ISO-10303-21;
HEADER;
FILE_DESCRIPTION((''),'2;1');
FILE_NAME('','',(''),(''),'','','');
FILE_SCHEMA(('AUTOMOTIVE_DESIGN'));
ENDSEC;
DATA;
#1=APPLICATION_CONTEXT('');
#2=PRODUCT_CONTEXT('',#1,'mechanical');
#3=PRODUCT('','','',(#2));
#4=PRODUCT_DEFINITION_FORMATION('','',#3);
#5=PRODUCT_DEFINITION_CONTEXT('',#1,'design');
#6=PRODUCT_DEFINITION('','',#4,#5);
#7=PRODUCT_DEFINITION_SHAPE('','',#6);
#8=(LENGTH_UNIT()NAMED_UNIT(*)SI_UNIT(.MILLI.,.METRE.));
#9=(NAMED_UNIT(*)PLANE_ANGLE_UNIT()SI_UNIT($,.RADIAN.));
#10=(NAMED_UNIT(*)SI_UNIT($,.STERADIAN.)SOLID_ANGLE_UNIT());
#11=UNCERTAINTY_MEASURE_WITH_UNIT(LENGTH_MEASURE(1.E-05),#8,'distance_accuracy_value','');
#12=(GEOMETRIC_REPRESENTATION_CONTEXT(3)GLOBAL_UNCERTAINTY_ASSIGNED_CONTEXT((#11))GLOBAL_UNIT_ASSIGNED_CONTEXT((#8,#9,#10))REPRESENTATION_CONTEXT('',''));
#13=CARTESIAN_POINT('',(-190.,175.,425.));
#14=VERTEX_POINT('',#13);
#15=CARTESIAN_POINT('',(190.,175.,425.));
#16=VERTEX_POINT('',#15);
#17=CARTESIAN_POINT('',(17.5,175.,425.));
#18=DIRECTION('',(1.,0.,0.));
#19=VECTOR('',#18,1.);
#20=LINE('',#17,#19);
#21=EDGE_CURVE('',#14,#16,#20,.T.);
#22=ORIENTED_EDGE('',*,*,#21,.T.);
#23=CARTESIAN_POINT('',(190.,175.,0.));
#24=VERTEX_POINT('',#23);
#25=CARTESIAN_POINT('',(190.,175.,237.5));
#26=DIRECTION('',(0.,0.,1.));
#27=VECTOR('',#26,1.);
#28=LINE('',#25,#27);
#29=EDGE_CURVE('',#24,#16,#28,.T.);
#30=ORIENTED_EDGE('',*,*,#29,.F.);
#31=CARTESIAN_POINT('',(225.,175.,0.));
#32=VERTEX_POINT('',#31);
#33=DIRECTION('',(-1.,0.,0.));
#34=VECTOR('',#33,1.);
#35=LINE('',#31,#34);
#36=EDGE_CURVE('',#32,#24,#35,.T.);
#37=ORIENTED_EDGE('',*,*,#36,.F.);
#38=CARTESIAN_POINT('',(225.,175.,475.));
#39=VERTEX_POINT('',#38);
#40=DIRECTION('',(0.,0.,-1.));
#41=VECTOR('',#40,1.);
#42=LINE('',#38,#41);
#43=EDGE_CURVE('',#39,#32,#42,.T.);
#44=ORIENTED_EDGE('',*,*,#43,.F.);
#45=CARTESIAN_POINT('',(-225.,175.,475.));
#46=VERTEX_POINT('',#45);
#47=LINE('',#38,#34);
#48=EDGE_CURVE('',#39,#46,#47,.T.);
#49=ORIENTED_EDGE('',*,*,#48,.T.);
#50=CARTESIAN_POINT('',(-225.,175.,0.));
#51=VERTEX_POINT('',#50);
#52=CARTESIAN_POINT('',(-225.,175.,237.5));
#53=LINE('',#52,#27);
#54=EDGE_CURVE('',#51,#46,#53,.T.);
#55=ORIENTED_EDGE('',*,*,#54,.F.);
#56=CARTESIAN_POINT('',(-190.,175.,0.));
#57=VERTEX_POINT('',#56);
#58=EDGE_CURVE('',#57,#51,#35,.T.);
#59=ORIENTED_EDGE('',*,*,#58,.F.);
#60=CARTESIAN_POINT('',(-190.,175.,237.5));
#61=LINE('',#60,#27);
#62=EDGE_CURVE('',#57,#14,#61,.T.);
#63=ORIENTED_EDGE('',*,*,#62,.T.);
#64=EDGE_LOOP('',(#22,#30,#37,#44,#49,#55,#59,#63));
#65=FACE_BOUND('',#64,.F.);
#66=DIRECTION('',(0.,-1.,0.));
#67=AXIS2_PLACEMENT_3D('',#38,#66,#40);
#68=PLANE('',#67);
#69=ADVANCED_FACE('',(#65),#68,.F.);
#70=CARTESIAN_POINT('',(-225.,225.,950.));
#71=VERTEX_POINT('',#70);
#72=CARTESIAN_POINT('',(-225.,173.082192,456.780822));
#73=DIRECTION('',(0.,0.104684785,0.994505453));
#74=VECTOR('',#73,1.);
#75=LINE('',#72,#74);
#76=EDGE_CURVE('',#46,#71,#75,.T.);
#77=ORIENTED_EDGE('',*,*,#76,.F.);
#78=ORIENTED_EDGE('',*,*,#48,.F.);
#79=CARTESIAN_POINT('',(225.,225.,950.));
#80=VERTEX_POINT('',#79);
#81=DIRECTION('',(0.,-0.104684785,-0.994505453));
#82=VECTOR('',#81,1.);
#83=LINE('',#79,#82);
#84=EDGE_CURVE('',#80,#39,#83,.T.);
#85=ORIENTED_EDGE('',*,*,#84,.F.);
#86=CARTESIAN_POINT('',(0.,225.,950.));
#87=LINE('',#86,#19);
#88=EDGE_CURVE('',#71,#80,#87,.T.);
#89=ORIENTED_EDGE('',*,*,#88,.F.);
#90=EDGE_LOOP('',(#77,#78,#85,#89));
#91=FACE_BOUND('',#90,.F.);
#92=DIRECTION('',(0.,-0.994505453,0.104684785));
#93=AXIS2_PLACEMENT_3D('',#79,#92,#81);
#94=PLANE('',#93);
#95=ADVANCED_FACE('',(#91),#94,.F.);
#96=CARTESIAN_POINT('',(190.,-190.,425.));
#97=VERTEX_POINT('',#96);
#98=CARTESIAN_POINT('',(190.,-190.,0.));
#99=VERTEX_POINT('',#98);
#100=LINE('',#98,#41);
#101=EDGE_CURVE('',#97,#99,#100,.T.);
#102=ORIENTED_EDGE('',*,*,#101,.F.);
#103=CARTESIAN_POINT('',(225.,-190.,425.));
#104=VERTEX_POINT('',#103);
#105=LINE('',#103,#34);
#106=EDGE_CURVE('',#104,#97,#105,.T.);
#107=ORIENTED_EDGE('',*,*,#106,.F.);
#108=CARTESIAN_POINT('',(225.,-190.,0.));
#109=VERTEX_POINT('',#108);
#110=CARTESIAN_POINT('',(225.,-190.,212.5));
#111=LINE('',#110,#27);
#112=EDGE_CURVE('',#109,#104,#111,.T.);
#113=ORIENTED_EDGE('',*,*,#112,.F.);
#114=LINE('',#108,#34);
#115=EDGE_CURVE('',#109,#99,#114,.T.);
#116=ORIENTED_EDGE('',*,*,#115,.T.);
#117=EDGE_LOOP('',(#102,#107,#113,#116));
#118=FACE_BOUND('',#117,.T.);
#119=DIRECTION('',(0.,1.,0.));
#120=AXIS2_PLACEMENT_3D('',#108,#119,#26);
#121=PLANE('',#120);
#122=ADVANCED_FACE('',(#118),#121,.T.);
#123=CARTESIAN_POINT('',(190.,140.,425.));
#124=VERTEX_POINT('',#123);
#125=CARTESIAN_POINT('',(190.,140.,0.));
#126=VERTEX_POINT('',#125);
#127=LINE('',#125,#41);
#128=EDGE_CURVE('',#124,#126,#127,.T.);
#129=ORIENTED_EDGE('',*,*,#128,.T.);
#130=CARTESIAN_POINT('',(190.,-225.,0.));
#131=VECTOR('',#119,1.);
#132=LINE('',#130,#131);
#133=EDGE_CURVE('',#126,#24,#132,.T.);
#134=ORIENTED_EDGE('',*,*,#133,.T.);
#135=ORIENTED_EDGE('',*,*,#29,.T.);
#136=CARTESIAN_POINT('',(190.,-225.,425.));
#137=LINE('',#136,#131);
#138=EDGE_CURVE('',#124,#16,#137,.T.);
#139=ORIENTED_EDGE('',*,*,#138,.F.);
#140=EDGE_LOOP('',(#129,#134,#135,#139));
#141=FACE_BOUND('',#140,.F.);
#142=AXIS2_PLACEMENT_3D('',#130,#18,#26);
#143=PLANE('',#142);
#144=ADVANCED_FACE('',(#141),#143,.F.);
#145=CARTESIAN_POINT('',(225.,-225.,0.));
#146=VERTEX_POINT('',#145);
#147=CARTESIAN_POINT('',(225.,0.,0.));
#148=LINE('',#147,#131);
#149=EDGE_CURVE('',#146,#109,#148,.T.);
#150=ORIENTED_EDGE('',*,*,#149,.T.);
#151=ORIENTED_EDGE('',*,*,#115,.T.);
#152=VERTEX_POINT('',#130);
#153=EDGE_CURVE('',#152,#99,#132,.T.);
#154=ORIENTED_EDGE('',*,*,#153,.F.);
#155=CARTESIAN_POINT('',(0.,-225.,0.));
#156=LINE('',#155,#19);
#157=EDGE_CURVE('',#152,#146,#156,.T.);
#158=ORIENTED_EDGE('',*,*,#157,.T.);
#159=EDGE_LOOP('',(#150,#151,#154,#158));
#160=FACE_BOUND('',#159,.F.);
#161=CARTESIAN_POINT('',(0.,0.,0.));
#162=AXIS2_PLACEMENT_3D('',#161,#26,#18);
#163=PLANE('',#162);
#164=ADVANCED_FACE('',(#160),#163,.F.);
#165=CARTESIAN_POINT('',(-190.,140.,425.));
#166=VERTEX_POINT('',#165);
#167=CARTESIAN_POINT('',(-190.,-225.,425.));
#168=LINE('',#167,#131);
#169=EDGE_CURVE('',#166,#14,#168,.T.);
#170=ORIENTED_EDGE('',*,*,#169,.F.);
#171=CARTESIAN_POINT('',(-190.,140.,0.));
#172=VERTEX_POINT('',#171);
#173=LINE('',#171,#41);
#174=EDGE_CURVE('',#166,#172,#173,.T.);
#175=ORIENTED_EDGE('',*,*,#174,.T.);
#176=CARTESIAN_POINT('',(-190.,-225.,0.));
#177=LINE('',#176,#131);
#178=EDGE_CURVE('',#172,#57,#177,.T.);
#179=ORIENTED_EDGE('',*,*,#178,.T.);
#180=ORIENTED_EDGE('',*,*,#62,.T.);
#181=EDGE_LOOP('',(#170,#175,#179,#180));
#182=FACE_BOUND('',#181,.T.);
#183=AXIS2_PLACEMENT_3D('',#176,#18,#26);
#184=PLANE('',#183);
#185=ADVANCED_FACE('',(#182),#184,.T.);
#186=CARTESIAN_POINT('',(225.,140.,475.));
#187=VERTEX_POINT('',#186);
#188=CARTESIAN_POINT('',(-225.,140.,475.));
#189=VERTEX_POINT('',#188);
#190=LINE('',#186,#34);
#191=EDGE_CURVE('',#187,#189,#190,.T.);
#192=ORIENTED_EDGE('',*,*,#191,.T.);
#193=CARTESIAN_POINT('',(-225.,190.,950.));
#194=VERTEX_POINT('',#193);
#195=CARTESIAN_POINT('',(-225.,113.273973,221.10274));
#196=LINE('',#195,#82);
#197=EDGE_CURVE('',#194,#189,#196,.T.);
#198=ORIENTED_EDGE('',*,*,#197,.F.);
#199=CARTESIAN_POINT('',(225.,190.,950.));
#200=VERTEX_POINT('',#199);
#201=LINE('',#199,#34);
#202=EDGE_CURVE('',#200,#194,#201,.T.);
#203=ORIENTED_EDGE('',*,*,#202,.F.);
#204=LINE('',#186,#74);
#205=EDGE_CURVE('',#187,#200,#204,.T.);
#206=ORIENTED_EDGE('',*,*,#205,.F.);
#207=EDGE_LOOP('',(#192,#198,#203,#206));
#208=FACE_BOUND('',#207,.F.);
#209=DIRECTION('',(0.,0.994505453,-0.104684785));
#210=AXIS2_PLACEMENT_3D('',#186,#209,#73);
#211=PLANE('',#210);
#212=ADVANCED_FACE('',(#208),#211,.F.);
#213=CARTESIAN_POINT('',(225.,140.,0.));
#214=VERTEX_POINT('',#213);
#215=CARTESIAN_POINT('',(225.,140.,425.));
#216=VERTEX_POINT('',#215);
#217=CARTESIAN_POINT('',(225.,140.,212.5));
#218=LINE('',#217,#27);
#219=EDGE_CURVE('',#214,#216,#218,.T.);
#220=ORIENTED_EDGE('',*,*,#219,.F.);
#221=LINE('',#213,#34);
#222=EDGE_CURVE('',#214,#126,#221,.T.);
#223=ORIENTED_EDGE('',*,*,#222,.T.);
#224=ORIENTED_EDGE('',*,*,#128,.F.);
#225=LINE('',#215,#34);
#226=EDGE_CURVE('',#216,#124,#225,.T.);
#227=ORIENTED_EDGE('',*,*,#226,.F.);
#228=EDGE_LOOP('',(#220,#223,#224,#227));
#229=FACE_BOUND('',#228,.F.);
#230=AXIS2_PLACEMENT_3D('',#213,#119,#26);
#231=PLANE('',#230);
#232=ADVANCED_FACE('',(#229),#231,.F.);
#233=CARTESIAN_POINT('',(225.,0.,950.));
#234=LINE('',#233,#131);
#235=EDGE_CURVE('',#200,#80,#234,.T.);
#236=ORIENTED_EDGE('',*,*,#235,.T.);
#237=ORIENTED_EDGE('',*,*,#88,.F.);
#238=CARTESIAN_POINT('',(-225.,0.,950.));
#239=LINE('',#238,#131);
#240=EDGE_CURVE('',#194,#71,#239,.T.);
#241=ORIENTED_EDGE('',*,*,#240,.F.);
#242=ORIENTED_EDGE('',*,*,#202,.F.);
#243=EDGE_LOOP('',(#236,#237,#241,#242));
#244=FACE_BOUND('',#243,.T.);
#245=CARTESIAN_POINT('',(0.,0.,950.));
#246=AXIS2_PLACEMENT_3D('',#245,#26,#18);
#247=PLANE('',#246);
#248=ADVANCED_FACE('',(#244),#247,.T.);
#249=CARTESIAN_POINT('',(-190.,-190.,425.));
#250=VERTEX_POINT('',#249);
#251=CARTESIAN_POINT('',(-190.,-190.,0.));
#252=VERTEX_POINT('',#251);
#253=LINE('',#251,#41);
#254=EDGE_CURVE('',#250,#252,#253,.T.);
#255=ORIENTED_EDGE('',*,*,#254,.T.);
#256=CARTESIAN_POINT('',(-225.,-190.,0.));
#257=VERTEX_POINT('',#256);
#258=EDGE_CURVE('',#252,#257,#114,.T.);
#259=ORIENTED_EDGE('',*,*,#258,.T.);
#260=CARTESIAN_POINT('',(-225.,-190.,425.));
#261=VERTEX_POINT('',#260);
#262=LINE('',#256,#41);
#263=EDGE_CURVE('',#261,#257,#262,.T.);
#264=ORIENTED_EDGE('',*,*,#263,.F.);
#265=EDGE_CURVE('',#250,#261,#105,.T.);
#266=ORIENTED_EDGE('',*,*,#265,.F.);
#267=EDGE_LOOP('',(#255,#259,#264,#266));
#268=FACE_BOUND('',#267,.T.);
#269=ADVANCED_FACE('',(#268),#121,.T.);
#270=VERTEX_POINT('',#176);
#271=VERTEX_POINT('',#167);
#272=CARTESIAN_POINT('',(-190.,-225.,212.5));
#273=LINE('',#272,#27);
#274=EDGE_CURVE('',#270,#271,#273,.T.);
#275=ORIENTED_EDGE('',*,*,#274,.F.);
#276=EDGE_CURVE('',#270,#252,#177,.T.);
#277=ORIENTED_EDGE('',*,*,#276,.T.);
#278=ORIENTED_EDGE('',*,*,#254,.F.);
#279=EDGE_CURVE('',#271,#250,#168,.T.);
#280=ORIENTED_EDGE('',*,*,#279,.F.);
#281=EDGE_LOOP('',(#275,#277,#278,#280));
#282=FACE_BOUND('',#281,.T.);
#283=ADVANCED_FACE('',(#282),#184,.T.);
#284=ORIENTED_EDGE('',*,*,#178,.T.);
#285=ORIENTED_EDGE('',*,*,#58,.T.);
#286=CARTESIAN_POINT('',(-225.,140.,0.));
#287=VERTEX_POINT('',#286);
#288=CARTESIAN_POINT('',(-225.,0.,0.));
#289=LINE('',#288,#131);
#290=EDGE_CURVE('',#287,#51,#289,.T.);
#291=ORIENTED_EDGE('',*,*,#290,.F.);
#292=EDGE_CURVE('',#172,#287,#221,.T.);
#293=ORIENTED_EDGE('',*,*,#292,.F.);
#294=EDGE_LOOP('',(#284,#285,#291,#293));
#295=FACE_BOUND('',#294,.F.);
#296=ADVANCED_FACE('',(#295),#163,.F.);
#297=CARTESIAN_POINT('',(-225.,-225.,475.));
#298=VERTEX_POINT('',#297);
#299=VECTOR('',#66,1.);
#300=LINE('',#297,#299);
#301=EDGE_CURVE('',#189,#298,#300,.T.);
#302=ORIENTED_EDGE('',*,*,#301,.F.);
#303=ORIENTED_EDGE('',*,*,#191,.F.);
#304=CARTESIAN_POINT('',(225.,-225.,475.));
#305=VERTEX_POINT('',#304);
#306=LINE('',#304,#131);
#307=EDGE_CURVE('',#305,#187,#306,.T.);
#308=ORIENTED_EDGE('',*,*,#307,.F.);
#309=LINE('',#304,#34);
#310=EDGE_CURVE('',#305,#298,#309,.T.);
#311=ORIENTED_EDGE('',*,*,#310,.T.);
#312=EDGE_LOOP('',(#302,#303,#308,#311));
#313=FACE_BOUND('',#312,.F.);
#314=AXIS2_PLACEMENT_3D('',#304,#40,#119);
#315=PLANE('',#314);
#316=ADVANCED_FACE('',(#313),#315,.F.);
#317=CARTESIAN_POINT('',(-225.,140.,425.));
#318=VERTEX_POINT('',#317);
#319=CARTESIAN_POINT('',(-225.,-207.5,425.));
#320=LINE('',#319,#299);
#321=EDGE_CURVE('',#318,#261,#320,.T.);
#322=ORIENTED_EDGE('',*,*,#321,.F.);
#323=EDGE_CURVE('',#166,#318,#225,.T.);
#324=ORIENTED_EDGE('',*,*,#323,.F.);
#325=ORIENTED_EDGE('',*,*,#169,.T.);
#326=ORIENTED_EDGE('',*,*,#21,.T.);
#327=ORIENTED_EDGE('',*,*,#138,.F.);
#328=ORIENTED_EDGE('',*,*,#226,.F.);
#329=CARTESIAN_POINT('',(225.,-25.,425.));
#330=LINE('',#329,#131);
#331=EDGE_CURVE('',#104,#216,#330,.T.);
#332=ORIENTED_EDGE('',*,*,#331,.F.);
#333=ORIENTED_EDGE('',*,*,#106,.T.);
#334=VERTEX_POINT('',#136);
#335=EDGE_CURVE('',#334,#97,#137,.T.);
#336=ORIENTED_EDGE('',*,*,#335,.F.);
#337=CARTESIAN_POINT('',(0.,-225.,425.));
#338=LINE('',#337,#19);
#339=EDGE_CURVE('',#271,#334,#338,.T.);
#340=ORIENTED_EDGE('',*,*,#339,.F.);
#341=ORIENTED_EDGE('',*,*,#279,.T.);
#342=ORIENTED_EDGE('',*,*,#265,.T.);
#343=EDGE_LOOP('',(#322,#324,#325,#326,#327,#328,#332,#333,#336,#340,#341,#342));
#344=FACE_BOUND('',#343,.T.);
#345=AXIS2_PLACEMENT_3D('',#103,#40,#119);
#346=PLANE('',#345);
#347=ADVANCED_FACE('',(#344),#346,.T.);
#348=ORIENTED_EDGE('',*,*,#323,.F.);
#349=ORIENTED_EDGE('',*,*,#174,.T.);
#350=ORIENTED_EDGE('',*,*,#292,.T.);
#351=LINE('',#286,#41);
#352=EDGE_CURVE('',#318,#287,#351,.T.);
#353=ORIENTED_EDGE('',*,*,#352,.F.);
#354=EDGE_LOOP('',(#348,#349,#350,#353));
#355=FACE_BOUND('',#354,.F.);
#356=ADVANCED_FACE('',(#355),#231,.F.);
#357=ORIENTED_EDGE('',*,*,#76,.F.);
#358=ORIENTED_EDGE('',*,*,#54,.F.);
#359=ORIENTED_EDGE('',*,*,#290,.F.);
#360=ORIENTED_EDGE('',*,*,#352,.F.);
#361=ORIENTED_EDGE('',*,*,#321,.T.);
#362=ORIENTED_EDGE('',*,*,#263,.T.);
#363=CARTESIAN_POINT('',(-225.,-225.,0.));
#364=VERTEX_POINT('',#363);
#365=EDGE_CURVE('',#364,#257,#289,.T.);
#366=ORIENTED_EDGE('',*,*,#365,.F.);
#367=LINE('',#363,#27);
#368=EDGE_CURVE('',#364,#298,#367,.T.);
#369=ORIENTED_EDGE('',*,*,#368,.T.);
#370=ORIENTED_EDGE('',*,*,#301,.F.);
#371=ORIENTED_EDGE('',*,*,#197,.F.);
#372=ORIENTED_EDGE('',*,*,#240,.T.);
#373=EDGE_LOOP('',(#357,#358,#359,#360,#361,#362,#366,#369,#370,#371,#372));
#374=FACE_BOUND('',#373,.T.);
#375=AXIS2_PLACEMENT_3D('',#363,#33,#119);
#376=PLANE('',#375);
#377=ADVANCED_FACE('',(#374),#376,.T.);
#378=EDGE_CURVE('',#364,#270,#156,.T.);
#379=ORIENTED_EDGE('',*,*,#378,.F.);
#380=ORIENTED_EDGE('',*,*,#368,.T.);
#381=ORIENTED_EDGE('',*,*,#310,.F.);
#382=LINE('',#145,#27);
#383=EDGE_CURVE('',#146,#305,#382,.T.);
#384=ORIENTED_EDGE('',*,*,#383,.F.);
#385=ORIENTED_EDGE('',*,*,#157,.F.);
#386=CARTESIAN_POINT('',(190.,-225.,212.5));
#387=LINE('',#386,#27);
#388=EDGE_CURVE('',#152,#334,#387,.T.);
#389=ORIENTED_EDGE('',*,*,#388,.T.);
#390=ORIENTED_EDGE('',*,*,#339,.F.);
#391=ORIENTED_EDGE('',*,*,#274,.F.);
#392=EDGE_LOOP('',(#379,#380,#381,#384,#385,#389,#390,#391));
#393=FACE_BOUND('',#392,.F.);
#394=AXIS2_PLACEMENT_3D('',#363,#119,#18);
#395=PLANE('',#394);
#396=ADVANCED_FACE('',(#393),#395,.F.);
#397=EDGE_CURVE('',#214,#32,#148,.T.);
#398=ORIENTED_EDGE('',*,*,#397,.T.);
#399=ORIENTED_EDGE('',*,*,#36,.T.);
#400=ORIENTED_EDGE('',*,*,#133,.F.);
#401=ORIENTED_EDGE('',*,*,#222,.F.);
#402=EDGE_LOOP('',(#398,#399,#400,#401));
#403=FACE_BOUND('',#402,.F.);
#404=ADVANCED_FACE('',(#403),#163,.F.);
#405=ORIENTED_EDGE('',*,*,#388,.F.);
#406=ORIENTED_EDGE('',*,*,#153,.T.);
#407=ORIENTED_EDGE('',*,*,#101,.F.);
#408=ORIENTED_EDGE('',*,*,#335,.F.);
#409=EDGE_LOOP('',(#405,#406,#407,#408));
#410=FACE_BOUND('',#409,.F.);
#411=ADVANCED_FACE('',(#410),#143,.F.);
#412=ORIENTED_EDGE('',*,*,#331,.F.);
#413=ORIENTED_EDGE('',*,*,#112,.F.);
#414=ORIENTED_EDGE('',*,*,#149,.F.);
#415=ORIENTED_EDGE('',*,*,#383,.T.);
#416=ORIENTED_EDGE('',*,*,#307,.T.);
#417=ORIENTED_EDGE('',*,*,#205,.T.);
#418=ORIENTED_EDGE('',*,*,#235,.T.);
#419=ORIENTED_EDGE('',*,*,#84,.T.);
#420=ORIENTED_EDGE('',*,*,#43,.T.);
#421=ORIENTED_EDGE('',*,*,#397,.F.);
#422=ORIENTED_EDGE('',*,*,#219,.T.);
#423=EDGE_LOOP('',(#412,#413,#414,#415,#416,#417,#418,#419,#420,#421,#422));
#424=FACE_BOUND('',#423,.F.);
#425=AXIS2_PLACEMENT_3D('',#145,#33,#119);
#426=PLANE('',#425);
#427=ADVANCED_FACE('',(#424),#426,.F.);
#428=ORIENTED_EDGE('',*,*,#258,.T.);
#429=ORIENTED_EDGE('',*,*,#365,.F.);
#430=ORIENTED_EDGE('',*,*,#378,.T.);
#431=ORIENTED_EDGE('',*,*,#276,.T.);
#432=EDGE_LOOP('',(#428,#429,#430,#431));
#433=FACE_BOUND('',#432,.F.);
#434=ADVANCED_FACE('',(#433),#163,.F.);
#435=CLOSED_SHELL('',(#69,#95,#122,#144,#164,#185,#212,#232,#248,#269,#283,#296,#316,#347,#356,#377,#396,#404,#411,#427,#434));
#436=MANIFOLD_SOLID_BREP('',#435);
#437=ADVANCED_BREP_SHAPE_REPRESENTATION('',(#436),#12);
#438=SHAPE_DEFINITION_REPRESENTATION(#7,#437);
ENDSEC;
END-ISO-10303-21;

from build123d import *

# Parameters (mm, degrees)
F0_W     = 450
F0_H     = 450
F1_DEPTH = 950
F2_W     = 50
F2_H     = 50
F2_W_2   = 330
F2_H_2   = 425
F3_DEPTH = 450.001
F4_W     = 380
F4_H     = 425
F5_DEPTH = 450.001


with BuildPart() as f1:
    # F0 (on Top) → F1 (new body)
    with BuildSketch(Plane.XY):
        Rectangle(F0_W, F0_H)
    extrude(amount=F1_DEPTH)

    # F2 (on face) → F3 (cut, through all)
    with BuildSketch(Plane.YZ.offset(225)):
        with Locations((200, 450)):
            Rectangle(F2_W, F2_H)
        Polygon((-225, 950), (-225, 475), (140, 475), (190, 950), align=None)
        Polygon((225, 950), (175, 475), (225, 475), align=None)
        with Locations((-25, 212.5)):
            Rectangle(F2_W_2, F2_H_2)
        with Locations((200, 212.5)):
            Rectangle(F2_W, F2_H_2)
    extrude(amount=-F3_DEPTH, mode=Mode.SUBTRACT)

    # F4 (on face) → F5 (cut, through all)
    with BuildSketch(Plane.XZ.offset(225)):
        with Locations((0, 212.5)):
            Rectangle(F4_W, F4_H)
    extrude(amount=-F5_DEPTH, mode=Mode.SUBTRACT)


solid = f1.part
